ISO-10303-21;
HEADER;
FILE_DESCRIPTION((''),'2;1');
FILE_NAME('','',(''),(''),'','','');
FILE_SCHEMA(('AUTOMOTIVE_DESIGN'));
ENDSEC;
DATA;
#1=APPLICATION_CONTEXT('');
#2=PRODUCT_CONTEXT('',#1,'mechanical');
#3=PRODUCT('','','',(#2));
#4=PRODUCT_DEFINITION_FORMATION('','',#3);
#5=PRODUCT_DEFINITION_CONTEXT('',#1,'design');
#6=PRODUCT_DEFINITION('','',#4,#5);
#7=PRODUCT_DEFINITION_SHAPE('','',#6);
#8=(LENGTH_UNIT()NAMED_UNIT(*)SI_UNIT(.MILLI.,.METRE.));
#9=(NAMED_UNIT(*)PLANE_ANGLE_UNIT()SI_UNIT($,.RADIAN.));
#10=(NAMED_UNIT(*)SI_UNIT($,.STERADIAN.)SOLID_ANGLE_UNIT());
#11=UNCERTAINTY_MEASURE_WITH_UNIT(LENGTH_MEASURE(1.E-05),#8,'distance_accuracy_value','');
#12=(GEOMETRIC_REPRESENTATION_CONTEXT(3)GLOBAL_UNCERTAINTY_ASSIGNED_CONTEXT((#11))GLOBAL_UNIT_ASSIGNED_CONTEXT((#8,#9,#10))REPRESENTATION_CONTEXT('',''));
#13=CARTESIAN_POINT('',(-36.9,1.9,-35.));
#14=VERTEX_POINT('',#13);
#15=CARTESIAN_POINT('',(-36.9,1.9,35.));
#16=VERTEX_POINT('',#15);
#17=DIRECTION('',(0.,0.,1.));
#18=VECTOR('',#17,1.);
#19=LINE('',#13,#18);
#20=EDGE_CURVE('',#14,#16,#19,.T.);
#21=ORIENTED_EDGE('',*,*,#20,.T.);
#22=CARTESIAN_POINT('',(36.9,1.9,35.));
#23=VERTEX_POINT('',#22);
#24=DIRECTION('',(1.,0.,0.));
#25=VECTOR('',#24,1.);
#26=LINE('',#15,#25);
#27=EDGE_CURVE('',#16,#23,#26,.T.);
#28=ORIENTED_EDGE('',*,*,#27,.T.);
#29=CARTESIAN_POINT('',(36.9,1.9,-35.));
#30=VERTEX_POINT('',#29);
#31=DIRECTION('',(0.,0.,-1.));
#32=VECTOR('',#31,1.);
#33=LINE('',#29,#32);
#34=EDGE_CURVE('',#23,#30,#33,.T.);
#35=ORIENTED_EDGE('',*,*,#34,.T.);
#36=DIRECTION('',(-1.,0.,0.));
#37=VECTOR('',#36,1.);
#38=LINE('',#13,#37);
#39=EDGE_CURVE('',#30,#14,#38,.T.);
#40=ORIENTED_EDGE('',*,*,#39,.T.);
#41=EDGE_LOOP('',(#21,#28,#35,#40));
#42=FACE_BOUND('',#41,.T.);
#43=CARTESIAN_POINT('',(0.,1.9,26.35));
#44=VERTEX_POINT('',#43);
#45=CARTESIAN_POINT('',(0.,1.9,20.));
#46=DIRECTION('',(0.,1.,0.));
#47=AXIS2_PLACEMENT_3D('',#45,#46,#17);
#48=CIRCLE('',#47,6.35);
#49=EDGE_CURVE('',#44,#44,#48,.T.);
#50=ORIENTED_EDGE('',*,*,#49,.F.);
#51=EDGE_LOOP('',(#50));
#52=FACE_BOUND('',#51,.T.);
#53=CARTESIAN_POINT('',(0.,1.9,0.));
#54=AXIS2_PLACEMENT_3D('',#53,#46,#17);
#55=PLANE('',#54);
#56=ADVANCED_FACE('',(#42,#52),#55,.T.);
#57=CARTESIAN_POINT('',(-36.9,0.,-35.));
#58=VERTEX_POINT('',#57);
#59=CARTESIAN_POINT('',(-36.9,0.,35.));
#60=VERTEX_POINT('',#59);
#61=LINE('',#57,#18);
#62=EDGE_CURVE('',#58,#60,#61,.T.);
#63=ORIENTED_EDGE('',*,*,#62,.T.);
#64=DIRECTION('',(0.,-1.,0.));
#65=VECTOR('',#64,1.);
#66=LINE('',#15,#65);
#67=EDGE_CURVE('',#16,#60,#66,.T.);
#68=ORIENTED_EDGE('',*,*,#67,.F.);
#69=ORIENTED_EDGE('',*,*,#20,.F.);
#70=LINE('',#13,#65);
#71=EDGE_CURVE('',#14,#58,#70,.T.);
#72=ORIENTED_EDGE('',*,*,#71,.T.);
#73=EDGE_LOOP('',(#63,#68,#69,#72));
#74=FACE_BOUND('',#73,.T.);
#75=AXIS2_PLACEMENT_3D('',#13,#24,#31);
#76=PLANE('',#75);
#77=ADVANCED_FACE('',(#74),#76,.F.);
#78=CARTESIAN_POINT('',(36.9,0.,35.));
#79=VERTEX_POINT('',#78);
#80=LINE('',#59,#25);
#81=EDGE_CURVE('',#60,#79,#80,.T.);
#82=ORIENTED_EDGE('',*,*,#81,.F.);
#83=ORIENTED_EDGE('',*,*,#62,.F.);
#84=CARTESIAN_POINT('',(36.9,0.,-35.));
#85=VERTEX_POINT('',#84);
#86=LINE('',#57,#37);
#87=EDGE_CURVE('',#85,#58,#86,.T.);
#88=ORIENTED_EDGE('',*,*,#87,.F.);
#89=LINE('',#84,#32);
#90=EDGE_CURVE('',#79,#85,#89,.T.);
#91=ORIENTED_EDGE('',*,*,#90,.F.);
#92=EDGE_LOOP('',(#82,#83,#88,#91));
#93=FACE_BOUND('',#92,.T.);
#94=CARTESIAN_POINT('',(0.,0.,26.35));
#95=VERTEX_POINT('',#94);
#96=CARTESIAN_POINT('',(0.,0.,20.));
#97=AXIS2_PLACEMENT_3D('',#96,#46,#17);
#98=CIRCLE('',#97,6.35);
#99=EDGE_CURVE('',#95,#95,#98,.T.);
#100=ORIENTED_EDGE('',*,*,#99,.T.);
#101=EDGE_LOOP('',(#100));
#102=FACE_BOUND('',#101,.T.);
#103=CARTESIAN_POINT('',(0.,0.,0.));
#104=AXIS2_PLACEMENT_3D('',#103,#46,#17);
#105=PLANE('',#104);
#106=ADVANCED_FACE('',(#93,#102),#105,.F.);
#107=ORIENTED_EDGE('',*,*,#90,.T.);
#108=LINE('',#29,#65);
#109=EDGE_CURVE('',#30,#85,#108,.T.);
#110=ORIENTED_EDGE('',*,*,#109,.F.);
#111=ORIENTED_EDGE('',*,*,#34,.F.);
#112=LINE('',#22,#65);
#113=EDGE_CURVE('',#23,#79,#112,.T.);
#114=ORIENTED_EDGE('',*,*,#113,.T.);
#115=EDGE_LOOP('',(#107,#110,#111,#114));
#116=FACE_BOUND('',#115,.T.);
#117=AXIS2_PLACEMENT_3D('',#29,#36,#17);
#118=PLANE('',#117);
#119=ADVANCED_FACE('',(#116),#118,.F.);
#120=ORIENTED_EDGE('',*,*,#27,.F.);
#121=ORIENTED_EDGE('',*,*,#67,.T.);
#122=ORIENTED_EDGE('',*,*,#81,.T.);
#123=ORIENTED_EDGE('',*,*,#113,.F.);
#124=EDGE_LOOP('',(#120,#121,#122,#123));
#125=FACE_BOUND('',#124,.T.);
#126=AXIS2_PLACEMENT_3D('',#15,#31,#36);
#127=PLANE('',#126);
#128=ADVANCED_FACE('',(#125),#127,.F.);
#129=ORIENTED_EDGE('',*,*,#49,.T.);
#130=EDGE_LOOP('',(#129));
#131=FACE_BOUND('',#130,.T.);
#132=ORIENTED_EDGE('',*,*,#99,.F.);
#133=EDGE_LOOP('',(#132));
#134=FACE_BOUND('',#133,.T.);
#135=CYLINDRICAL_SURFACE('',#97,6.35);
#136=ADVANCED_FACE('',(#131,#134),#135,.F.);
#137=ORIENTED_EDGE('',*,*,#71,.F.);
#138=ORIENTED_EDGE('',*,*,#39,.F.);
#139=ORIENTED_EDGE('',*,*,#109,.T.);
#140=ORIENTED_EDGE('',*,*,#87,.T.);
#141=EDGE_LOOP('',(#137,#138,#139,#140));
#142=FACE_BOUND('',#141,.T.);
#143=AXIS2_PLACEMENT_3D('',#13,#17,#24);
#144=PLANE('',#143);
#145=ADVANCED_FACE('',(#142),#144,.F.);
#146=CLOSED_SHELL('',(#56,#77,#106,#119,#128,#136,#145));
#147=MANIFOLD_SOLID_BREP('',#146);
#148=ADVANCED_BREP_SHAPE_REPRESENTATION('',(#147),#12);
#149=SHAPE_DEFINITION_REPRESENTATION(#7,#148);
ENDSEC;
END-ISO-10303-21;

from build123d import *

# Parameters (mm, degrees)
CROQUIS1_W                 = 73.8
CROQUIS1_H                 = 70
SALIENTE_EXTRUIR1_DEPTH    = 1.9
CROQUIS2_R                 = 6.35
CORTAR_EXTRUIR1_DEPTH      = 1
CORTAR_EXTRUIR1_DEPTH_BACK = 2.9


with BuildPart() as part:
    # Croquis1 → Saliente-Extruir1 (new body)
    with BuildSketch(Plane(origin=(0, 0, 0), x_dir=(1, 0, 0), z_dir=(0, 1, 0))):
        Rectangle(CROQUIS1_W, CROQUIS1_H)
    extrude(amount=SALIENTE_EXTRUIR1_DEPTH)

    # Croquis2 → Cortar-Extruir1 (cut, two sides)
    with BuildSketch(Plane(origin=(0, 1.9, 0), x_dir=(1, 0, 0), z_dir=(0, 1, 0))) as cortar_extruir1_sk:
        with Locations((0, -20)):
            Circle(CROQUIS2_R)
    extrude(amount=CORTAR_EXTRUIR1_DEPTH, mode=Mode.SUBTRACT)
    extrude(cortar_extruir1_sk.sketch, amount=-CORTAR_EXTRUIR1_DEPTH_BACK, mode=Mode.SUBTRACT)


solid = part.part
